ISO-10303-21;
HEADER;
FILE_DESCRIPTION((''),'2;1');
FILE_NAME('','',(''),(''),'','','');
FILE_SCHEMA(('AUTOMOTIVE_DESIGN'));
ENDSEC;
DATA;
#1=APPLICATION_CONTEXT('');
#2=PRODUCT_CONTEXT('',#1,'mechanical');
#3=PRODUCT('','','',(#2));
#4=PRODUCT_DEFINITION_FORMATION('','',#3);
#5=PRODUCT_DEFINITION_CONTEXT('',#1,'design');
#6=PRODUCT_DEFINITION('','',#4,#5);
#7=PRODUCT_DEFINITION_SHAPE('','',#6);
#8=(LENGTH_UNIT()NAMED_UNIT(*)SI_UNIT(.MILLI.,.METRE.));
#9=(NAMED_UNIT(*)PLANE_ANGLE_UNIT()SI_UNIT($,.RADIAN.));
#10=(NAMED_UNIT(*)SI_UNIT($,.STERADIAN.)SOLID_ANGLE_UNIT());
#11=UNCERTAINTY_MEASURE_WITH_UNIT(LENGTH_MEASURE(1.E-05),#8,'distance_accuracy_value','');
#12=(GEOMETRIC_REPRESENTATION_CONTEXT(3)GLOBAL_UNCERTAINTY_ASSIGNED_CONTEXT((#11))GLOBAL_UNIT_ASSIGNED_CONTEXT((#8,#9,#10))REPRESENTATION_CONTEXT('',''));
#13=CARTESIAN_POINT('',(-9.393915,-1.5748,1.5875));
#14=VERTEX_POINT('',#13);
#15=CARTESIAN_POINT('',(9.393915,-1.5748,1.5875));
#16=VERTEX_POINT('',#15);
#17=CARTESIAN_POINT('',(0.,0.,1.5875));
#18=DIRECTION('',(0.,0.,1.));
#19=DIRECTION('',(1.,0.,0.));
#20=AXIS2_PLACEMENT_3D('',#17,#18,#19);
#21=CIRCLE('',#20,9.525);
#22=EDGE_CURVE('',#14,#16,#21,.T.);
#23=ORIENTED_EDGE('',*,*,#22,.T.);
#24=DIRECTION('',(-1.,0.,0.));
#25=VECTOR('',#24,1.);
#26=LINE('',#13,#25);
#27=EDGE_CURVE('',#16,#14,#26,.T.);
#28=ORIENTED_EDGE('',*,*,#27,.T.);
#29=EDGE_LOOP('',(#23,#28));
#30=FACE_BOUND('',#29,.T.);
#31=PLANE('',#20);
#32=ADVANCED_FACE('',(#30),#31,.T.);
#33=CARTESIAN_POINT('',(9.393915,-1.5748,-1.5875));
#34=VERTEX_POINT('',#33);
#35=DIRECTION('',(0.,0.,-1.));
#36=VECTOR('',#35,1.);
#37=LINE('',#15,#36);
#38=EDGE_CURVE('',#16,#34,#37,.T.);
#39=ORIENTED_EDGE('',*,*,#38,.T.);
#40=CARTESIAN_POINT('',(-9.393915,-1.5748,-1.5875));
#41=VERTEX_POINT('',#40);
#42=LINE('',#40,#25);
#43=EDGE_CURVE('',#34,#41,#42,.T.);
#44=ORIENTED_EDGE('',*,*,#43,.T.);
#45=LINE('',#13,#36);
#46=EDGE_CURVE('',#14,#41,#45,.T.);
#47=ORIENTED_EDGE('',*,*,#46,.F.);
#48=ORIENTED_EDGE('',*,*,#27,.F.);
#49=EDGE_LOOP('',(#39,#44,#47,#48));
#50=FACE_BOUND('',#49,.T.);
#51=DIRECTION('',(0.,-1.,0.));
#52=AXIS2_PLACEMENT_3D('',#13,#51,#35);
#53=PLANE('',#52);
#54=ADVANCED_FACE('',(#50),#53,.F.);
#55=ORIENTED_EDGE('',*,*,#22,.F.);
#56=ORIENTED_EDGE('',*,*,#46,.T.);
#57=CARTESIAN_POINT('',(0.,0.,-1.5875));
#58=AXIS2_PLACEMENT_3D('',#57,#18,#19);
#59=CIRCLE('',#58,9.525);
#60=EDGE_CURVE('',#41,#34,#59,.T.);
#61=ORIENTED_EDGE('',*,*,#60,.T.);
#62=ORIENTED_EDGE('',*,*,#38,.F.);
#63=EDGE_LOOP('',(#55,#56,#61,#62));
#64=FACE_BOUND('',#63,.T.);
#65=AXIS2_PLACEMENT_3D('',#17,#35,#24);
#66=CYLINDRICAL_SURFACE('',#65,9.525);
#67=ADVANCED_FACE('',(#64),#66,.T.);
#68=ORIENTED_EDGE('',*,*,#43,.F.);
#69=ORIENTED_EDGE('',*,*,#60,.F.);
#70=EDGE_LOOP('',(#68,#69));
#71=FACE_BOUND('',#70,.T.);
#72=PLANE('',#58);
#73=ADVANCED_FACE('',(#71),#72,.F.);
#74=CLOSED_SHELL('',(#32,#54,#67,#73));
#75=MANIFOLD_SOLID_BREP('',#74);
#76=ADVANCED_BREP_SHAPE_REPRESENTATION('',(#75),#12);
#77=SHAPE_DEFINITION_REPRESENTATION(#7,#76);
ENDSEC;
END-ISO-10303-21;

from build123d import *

# Parameters (mm, degrees)
BOSS_EXTRUDE1_DEPTH = 1.5875


with BuildPart() as part:
    # Sketch1 → Boss-Extrude1 (new body, symmetric)
    with BuildSketch(Plane.XY):
        with BuildLine():
            Line((-9.393914517, -1.5748), (9.393914517, -1.5748))
            ThreePointArc((9.393914517, -1.5748), (0, -9.525), (-9.393914517, -1.5748))
        make_face()
    extrude(amount=BOSS_EXTRUDE1_DEPTH, both=True)


solid = part.part
